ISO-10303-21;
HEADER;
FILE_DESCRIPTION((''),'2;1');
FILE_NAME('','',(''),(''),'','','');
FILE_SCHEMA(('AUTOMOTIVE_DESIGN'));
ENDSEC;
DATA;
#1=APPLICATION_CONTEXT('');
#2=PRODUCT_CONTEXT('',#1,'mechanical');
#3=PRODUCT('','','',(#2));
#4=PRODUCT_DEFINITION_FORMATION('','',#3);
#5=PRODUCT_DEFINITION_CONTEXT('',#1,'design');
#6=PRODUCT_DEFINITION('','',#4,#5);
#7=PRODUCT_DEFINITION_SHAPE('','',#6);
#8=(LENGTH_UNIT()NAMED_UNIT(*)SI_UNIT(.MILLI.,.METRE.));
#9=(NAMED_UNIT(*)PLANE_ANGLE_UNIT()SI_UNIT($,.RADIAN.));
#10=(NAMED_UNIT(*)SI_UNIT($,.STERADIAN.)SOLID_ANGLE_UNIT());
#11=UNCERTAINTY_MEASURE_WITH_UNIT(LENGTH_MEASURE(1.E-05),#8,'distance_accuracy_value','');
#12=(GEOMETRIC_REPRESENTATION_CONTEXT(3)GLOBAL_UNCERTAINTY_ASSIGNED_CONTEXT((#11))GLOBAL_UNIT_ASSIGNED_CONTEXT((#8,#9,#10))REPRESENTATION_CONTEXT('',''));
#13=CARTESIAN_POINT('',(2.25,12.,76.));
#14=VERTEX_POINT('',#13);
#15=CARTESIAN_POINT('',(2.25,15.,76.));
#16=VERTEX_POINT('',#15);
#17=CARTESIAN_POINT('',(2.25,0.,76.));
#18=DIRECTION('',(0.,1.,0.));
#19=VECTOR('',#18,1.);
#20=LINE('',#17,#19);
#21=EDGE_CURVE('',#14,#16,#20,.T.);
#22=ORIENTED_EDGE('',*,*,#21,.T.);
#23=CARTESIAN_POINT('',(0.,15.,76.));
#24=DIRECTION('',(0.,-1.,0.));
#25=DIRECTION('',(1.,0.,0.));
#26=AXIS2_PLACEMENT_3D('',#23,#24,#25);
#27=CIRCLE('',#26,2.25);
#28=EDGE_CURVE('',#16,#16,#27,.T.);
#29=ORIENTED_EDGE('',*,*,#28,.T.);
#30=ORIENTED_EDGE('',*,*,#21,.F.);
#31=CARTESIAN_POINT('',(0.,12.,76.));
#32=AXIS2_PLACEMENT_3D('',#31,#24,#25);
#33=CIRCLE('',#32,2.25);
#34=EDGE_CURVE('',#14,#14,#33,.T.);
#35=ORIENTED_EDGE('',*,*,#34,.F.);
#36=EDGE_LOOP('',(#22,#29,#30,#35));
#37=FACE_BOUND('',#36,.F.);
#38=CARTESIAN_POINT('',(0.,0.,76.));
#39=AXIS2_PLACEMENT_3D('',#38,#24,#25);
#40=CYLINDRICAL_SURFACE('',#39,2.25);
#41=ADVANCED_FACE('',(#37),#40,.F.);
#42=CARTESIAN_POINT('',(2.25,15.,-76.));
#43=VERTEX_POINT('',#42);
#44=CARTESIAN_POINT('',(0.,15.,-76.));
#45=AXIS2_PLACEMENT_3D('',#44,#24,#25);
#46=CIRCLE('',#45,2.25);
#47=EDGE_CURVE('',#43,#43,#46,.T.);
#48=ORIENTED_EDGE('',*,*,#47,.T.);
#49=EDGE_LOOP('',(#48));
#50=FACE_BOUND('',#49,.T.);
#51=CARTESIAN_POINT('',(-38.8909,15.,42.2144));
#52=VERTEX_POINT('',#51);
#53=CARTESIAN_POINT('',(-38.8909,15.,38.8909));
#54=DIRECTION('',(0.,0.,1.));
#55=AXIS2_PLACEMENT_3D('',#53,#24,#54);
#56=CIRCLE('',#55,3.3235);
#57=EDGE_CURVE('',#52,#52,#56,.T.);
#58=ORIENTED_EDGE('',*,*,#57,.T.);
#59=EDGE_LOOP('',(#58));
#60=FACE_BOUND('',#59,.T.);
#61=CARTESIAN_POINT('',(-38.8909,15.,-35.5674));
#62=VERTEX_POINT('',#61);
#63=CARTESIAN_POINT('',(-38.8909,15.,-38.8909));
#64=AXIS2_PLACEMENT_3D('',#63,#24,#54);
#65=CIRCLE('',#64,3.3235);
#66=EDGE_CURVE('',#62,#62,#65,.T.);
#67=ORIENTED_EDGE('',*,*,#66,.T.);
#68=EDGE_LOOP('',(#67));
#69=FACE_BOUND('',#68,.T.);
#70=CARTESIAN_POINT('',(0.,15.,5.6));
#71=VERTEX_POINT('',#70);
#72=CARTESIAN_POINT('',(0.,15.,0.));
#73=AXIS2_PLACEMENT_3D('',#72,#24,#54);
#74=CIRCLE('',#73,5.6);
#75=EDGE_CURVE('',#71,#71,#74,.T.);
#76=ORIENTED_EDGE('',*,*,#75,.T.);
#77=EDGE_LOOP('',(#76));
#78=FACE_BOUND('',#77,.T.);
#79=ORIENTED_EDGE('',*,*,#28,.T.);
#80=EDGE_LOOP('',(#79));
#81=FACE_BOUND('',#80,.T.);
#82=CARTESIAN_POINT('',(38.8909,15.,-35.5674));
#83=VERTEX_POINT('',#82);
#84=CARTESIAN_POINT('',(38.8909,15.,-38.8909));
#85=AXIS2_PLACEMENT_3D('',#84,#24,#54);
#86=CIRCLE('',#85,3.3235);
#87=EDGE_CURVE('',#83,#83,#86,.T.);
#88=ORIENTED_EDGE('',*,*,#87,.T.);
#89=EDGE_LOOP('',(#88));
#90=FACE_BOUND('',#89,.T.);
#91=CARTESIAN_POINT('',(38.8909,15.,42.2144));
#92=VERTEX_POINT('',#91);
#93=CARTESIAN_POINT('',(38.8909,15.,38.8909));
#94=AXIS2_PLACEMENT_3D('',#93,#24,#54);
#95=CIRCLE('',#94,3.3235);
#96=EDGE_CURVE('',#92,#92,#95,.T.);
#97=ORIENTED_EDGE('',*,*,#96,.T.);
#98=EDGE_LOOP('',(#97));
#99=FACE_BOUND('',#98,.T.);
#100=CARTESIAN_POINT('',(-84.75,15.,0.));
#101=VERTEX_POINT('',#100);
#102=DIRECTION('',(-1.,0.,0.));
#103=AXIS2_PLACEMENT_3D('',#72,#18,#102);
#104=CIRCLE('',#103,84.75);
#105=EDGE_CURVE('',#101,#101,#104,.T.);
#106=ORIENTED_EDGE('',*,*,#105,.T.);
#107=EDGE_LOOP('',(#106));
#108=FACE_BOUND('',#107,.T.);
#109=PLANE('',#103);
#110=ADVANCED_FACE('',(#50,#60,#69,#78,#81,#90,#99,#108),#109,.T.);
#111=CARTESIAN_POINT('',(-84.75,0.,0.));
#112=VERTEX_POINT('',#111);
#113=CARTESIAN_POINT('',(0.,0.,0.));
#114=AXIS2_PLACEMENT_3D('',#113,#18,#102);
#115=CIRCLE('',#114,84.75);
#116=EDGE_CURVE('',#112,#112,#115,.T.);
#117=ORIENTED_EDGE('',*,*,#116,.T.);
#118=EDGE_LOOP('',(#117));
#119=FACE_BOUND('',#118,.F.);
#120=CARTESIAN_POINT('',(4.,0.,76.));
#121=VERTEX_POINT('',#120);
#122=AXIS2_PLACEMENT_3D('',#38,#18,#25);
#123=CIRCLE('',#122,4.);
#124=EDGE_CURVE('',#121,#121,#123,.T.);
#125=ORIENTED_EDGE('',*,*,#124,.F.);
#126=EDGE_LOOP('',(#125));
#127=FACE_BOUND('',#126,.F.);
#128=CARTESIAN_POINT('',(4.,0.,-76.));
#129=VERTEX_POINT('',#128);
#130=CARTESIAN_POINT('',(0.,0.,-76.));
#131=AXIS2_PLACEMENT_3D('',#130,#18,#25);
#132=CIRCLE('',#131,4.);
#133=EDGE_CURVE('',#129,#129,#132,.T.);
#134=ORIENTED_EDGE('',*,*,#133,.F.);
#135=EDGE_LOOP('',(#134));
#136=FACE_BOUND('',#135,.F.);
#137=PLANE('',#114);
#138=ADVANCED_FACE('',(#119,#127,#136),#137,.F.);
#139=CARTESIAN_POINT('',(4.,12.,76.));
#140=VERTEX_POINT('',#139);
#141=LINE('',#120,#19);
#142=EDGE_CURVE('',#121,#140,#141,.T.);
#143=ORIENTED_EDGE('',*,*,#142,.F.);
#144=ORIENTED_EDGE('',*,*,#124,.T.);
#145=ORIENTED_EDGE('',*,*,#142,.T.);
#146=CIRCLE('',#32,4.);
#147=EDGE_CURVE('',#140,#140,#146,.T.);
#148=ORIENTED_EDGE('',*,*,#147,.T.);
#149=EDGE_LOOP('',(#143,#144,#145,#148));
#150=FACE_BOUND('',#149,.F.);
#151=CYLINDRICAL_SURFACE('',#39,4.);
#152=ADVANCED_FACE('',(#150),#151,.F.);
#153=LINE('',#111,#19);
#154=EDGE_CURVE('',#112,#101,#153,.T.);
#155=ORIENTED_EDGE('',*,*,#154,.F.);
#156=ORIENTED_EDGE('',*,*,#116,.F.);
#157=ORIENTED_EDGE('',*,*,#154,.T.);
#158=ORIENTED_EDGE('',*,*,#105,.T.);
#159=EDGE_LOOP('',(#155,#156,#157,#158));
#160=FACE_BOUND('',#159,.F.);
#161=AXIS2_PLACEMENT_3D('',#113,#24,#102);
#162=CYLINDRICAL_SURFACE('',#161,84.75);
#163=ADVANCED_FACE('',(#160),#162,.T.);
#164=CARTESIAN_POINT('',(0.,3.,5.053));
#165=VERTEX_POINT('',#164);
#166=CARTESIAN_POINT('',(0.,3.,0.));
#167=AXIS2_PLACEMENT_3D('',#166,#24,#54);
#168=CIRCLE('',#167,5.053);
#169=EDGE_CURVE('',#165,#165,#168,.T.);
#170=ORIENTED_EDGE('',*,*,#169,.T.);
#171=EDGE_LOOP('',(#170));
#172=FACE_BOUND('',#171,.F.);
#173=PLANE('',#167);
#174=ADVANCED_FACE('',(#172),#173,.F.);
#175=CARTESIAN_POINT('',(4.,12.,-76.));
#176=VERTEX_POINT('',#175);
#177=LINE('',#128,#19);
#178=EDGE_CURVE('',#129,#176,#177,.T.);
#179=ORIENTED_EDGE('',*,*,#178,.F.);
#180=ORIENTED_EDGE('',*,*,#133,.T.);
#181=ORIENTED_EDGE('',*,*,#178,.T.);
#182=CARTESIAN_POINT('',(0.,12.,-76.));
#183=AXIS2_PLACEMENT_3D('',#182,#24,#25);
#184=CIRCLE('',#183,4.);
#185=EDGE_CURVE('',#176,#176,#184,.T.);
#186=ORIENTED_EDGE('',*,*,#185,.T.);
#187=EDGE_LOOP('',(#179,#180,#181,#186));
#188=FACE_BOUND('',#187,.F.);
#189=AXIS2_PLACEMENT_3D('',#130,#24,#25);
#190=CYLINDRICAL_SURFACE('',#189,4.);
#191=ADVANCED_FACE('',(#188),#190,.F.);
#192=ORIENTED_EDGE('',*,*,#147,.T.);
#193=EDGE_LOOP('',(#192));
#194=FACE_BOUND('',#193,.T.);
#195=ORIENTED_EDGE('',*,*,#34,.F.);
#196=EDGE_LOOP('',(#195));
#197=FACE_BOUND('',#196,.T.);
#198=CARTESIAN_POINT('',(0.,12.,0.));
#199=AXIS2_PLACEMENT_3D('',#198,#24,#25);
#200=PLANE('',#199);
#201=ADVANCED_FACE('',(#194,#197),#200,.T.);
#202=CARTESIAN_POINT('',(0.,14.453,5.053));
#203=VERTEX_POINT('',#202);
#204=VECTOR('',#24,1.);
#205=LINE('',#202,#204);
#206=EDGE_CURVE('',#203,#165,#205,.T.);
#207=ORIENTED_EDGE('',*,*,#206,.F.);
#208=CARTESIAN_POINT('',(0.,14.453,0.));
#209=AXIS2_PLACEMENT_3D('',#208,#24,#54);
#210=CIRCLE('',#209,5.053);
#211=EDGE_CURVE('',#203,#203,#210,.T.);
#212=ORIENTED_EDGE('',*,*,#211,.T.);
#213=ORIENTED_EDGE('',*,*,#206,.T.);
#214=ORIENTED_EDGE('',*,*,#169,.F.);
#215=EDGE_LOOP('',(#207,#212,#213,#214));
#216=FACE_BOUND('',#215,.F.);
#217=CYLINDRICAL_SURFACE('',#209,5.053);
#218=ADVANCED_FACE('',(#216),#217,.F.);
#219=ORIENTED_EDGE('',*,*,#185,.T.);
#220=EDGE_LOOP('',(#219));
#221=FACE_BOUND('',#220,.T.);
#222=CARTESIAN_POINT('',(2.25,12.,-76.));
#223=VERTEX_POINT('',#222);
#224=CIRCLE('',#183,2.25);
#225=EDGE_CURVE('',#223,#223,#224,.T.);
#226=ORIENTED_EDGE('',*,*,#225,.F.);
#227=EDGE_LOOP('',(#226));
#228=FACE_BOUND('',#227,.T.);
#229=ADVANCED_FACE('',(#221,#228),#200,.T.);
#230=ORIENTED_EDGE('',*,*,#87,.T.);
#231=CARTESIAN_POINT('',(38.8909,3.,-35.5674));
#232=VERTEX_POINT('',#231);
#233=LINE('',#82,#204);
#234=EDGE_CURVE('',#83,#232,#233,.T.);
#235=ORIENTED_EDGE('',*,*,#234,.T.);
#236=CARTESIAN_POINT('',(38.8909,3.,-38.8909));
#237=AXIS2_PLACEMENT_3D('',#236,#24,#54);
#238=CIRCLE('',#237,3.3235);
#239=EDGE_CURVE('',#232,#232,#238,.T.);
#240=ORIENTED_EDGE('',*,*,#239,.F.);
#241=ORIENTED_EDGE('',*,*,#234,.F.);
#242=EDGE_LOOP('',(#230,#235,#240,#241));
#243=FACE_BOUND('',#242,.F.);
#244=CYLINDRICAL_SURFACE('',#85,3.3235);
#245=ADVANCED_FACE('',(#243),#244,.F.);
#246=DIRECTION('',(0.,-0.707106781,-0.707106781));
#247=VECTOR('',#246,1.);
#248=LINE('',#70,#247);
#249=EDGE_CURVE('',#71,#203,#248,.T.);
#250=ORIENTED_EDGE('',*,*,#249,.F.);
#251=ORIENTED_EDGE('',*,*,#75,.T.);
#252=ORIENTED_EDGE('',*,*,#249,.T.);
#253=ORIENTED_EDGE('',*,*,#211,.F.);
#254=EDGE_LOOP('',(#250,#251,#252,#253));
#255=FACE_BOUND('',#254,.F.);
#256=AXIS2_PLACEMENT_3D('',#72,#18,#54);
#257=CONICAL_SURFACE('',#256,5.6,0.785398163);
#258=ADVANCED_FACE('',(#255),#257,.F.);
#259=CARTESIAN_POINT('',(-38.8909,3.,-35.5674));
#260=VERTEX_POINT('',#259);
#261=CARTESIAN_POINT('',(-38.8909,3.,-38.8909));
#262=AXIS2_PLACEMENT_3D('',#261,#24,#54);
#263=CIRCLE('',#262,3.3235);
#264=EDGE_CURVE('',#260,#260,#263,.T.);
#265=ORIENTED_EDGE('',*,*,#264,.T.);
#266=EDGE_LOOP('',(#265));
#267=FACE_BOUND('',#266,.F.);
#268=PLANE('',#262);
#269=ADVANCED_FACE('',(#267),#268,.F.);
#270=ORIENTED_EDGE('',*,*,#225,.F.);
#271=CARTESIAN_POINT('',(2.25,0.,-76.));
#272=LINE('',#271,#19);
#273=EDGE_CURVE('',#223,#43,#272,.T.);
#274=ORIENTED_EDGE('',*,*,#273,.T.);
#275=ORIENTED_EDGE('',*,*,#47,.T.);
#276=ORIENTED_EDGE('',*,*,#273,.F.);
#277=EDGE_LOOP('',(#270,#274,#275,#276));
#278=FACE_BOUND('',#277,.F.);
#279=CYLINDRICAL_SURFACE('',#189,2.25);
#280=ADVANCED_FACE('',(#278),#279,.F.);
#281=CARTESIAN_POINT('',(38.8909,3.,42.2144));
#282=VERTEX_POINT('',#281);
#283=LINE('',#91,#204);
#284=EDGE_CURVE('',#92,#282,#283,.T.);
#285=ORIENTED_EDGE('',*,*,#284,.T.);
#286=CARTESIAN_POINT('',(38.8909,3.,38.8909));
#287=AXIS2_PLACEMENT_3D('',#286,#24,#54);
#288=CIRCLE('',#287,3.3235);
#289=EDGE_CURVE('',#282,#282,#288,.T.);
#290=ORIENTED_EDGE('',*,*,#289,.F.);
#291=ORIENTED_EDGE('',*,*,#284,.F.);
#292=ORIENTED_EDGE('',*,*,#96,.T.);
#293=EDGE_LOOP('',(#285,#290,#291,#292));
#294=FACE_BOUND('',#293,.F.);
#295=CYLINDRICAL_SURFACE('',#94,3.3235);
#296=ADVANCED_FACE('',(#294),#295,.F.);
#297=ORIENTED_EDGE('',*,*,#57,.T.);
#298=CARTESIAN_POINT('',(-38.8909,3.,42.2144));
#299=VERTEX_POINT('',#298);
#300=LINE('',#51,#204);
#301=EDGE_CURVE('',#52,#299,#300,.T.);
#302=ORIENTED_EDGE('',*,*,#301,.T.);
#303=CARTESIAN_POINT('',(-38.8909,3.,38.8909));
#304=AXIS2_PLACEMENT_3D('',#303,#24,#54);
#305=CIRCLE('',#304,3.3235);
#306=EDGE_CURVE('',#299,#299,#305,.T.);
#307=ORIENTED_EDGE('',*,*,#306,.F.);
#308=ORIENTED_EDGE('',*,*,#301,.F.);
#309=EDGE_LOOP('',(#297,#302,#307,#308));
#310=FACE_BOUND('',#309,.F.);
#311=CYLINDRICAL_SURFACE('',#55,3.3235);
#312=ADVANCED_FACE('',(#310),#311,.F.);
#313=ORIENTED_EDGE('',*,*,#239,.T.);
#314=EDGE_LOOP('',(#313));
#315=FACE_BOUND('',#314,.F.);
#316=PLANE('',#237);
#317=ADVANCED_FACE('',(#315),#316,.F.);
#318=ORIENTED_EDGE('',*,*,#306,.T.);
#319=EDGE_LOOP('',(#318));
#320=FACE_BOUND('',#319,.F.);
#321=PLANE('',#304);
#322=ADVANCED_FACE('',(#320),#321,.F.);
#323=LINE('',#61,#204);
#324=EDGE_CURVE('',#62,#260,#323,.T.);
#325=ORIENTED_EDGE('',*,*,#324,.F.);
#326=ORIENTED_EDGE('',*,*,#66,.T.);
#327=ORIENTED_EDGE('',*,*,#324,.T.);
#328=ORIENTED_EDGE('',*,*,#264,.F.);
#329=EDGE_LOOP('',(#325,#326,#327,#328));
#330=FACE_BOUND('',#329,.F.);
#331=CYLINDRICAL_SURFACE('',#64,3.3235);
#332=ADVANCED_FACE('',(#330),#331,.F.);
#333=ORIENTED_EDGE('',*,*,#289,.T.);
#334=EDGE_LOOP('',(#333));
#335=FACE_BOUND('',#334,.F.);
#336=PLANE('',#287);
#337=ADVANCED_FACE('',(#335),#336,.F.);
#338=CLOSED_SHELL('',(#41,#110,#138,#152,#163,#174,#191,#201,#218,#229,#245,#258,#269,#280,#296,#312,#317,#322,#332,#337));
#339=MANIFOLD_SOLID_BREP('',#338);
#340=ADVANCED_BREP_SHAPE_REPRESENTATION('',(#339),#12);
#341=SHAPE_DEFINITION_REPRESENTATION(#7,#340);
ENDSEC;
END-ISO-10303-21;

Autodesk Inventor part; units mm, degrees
ref_plane "YZ Plane" through (0, 0, 0) normal (1, 0, 0) x (0, 1, 0)
ref_plane "XZ Plane" through (0, 0, 0) normal (0, 1, 0) x (-1, 0, 0)
ref_plane "XY Plane" through (0, 0, 0) normal (0, 0, 1) x (1, 0, 0)
sketch "Sketch1" plane through (0, 0, 0) normal (0, 1, 0) x (-1, 0, 0)
  circle A0 centre (0, 0) radius 84.75
  dimension "d0" = 169.5
extrude "Extrusion1" add sketch "Sketch1" along normal blind 15
sketch "Sketch2" plane through (0, 0, 0) normal (0, -1, 0) x (1, 0, 0)
  circle A0 centre (0, 0) radius 76
  circle A1 centre (0, 76) radius 4
  circle A2 centre (0, -76) radius 4
  circle A3 centre (0, 76) radius 2.25
  circle A4 centre (0, -76) radius 2.25
  dimension "d3" = 152
  dimension "d4" = 8
  dimension "d5" = 8
  dimension "d6" = 4.5
  dimension "d7" = 4.5
extrude "Extrusion2" cut sketch "Sketch2" against normal through all contours A3 A0 | A0 A3 | A4 A0 | A0 A4
extrude "Extrusion3" cut sketch "Sketch2" against normal blind 12 contours A1 A0 A3 | A0 A3 A1 | A2 A0 A4 | A0 A4 A2 | A3 A0 | A0 A3 | A4 A0 | A0 A4
sketch "Sketch3" plane through (0, 15, 0) normal (0, 1, 0) x (1, 0, 0)
  circle A0 centre (0, 0) radius 84.75
hole "Hole1" at (0, 15, 0) direction (0, -1, 0) diameter 10.106 depth 12 countersink diameter 11.2 countersink angle 90 thread size "M12x1.75" class "6H" standard "ISO Metric profile"
sketch "Sketch4" plane through (0, 15, 0) normal (0, 1, 0) x (1, 0, 0)
  circle A0 centre (0, 0) radius 5.053 projected
  circle A1 centre (0, 0) radius 55
  line L0 (-55, -55) -> (55, -55)
  line L1 (55, -55) -> (55, 55)
  line L2 (55, 55) -> (-55, 55)
  line L3 (-55, 55) -> (-55, -55)
  line L4 (-55, -55) -> (55, 55) construction
  line L5 (55, -55) -> (-55, 55) construction
  circle A2 centre (-38.8909, -38.8909) radius 4
  circle A3 centre (-38.8909, 38.8909) radius 4
  circle A4 centre (38.8909, -38.8909) radius 4
  circle A5 centre (38.8909, 38.8909) radius 4
  dimension "d19" = 110
  dimension "d20" = 8
  dimension "d21" = 8
  dimension "d22" = 8
  dimension "d23" = 8
hole "Hole2" at (-38.8909, 15, 38.8909) at (-38.8909, 15, -38.8909) at (38.8909, 15, -38.8909) at (38.8909, 15, 38.8909) direction (0, -1, 0) diameter 6.647 depth 12 thread size "M8x1.25" class "6H" standard "ISO Metric profile"
properties part number "substrate plate"
